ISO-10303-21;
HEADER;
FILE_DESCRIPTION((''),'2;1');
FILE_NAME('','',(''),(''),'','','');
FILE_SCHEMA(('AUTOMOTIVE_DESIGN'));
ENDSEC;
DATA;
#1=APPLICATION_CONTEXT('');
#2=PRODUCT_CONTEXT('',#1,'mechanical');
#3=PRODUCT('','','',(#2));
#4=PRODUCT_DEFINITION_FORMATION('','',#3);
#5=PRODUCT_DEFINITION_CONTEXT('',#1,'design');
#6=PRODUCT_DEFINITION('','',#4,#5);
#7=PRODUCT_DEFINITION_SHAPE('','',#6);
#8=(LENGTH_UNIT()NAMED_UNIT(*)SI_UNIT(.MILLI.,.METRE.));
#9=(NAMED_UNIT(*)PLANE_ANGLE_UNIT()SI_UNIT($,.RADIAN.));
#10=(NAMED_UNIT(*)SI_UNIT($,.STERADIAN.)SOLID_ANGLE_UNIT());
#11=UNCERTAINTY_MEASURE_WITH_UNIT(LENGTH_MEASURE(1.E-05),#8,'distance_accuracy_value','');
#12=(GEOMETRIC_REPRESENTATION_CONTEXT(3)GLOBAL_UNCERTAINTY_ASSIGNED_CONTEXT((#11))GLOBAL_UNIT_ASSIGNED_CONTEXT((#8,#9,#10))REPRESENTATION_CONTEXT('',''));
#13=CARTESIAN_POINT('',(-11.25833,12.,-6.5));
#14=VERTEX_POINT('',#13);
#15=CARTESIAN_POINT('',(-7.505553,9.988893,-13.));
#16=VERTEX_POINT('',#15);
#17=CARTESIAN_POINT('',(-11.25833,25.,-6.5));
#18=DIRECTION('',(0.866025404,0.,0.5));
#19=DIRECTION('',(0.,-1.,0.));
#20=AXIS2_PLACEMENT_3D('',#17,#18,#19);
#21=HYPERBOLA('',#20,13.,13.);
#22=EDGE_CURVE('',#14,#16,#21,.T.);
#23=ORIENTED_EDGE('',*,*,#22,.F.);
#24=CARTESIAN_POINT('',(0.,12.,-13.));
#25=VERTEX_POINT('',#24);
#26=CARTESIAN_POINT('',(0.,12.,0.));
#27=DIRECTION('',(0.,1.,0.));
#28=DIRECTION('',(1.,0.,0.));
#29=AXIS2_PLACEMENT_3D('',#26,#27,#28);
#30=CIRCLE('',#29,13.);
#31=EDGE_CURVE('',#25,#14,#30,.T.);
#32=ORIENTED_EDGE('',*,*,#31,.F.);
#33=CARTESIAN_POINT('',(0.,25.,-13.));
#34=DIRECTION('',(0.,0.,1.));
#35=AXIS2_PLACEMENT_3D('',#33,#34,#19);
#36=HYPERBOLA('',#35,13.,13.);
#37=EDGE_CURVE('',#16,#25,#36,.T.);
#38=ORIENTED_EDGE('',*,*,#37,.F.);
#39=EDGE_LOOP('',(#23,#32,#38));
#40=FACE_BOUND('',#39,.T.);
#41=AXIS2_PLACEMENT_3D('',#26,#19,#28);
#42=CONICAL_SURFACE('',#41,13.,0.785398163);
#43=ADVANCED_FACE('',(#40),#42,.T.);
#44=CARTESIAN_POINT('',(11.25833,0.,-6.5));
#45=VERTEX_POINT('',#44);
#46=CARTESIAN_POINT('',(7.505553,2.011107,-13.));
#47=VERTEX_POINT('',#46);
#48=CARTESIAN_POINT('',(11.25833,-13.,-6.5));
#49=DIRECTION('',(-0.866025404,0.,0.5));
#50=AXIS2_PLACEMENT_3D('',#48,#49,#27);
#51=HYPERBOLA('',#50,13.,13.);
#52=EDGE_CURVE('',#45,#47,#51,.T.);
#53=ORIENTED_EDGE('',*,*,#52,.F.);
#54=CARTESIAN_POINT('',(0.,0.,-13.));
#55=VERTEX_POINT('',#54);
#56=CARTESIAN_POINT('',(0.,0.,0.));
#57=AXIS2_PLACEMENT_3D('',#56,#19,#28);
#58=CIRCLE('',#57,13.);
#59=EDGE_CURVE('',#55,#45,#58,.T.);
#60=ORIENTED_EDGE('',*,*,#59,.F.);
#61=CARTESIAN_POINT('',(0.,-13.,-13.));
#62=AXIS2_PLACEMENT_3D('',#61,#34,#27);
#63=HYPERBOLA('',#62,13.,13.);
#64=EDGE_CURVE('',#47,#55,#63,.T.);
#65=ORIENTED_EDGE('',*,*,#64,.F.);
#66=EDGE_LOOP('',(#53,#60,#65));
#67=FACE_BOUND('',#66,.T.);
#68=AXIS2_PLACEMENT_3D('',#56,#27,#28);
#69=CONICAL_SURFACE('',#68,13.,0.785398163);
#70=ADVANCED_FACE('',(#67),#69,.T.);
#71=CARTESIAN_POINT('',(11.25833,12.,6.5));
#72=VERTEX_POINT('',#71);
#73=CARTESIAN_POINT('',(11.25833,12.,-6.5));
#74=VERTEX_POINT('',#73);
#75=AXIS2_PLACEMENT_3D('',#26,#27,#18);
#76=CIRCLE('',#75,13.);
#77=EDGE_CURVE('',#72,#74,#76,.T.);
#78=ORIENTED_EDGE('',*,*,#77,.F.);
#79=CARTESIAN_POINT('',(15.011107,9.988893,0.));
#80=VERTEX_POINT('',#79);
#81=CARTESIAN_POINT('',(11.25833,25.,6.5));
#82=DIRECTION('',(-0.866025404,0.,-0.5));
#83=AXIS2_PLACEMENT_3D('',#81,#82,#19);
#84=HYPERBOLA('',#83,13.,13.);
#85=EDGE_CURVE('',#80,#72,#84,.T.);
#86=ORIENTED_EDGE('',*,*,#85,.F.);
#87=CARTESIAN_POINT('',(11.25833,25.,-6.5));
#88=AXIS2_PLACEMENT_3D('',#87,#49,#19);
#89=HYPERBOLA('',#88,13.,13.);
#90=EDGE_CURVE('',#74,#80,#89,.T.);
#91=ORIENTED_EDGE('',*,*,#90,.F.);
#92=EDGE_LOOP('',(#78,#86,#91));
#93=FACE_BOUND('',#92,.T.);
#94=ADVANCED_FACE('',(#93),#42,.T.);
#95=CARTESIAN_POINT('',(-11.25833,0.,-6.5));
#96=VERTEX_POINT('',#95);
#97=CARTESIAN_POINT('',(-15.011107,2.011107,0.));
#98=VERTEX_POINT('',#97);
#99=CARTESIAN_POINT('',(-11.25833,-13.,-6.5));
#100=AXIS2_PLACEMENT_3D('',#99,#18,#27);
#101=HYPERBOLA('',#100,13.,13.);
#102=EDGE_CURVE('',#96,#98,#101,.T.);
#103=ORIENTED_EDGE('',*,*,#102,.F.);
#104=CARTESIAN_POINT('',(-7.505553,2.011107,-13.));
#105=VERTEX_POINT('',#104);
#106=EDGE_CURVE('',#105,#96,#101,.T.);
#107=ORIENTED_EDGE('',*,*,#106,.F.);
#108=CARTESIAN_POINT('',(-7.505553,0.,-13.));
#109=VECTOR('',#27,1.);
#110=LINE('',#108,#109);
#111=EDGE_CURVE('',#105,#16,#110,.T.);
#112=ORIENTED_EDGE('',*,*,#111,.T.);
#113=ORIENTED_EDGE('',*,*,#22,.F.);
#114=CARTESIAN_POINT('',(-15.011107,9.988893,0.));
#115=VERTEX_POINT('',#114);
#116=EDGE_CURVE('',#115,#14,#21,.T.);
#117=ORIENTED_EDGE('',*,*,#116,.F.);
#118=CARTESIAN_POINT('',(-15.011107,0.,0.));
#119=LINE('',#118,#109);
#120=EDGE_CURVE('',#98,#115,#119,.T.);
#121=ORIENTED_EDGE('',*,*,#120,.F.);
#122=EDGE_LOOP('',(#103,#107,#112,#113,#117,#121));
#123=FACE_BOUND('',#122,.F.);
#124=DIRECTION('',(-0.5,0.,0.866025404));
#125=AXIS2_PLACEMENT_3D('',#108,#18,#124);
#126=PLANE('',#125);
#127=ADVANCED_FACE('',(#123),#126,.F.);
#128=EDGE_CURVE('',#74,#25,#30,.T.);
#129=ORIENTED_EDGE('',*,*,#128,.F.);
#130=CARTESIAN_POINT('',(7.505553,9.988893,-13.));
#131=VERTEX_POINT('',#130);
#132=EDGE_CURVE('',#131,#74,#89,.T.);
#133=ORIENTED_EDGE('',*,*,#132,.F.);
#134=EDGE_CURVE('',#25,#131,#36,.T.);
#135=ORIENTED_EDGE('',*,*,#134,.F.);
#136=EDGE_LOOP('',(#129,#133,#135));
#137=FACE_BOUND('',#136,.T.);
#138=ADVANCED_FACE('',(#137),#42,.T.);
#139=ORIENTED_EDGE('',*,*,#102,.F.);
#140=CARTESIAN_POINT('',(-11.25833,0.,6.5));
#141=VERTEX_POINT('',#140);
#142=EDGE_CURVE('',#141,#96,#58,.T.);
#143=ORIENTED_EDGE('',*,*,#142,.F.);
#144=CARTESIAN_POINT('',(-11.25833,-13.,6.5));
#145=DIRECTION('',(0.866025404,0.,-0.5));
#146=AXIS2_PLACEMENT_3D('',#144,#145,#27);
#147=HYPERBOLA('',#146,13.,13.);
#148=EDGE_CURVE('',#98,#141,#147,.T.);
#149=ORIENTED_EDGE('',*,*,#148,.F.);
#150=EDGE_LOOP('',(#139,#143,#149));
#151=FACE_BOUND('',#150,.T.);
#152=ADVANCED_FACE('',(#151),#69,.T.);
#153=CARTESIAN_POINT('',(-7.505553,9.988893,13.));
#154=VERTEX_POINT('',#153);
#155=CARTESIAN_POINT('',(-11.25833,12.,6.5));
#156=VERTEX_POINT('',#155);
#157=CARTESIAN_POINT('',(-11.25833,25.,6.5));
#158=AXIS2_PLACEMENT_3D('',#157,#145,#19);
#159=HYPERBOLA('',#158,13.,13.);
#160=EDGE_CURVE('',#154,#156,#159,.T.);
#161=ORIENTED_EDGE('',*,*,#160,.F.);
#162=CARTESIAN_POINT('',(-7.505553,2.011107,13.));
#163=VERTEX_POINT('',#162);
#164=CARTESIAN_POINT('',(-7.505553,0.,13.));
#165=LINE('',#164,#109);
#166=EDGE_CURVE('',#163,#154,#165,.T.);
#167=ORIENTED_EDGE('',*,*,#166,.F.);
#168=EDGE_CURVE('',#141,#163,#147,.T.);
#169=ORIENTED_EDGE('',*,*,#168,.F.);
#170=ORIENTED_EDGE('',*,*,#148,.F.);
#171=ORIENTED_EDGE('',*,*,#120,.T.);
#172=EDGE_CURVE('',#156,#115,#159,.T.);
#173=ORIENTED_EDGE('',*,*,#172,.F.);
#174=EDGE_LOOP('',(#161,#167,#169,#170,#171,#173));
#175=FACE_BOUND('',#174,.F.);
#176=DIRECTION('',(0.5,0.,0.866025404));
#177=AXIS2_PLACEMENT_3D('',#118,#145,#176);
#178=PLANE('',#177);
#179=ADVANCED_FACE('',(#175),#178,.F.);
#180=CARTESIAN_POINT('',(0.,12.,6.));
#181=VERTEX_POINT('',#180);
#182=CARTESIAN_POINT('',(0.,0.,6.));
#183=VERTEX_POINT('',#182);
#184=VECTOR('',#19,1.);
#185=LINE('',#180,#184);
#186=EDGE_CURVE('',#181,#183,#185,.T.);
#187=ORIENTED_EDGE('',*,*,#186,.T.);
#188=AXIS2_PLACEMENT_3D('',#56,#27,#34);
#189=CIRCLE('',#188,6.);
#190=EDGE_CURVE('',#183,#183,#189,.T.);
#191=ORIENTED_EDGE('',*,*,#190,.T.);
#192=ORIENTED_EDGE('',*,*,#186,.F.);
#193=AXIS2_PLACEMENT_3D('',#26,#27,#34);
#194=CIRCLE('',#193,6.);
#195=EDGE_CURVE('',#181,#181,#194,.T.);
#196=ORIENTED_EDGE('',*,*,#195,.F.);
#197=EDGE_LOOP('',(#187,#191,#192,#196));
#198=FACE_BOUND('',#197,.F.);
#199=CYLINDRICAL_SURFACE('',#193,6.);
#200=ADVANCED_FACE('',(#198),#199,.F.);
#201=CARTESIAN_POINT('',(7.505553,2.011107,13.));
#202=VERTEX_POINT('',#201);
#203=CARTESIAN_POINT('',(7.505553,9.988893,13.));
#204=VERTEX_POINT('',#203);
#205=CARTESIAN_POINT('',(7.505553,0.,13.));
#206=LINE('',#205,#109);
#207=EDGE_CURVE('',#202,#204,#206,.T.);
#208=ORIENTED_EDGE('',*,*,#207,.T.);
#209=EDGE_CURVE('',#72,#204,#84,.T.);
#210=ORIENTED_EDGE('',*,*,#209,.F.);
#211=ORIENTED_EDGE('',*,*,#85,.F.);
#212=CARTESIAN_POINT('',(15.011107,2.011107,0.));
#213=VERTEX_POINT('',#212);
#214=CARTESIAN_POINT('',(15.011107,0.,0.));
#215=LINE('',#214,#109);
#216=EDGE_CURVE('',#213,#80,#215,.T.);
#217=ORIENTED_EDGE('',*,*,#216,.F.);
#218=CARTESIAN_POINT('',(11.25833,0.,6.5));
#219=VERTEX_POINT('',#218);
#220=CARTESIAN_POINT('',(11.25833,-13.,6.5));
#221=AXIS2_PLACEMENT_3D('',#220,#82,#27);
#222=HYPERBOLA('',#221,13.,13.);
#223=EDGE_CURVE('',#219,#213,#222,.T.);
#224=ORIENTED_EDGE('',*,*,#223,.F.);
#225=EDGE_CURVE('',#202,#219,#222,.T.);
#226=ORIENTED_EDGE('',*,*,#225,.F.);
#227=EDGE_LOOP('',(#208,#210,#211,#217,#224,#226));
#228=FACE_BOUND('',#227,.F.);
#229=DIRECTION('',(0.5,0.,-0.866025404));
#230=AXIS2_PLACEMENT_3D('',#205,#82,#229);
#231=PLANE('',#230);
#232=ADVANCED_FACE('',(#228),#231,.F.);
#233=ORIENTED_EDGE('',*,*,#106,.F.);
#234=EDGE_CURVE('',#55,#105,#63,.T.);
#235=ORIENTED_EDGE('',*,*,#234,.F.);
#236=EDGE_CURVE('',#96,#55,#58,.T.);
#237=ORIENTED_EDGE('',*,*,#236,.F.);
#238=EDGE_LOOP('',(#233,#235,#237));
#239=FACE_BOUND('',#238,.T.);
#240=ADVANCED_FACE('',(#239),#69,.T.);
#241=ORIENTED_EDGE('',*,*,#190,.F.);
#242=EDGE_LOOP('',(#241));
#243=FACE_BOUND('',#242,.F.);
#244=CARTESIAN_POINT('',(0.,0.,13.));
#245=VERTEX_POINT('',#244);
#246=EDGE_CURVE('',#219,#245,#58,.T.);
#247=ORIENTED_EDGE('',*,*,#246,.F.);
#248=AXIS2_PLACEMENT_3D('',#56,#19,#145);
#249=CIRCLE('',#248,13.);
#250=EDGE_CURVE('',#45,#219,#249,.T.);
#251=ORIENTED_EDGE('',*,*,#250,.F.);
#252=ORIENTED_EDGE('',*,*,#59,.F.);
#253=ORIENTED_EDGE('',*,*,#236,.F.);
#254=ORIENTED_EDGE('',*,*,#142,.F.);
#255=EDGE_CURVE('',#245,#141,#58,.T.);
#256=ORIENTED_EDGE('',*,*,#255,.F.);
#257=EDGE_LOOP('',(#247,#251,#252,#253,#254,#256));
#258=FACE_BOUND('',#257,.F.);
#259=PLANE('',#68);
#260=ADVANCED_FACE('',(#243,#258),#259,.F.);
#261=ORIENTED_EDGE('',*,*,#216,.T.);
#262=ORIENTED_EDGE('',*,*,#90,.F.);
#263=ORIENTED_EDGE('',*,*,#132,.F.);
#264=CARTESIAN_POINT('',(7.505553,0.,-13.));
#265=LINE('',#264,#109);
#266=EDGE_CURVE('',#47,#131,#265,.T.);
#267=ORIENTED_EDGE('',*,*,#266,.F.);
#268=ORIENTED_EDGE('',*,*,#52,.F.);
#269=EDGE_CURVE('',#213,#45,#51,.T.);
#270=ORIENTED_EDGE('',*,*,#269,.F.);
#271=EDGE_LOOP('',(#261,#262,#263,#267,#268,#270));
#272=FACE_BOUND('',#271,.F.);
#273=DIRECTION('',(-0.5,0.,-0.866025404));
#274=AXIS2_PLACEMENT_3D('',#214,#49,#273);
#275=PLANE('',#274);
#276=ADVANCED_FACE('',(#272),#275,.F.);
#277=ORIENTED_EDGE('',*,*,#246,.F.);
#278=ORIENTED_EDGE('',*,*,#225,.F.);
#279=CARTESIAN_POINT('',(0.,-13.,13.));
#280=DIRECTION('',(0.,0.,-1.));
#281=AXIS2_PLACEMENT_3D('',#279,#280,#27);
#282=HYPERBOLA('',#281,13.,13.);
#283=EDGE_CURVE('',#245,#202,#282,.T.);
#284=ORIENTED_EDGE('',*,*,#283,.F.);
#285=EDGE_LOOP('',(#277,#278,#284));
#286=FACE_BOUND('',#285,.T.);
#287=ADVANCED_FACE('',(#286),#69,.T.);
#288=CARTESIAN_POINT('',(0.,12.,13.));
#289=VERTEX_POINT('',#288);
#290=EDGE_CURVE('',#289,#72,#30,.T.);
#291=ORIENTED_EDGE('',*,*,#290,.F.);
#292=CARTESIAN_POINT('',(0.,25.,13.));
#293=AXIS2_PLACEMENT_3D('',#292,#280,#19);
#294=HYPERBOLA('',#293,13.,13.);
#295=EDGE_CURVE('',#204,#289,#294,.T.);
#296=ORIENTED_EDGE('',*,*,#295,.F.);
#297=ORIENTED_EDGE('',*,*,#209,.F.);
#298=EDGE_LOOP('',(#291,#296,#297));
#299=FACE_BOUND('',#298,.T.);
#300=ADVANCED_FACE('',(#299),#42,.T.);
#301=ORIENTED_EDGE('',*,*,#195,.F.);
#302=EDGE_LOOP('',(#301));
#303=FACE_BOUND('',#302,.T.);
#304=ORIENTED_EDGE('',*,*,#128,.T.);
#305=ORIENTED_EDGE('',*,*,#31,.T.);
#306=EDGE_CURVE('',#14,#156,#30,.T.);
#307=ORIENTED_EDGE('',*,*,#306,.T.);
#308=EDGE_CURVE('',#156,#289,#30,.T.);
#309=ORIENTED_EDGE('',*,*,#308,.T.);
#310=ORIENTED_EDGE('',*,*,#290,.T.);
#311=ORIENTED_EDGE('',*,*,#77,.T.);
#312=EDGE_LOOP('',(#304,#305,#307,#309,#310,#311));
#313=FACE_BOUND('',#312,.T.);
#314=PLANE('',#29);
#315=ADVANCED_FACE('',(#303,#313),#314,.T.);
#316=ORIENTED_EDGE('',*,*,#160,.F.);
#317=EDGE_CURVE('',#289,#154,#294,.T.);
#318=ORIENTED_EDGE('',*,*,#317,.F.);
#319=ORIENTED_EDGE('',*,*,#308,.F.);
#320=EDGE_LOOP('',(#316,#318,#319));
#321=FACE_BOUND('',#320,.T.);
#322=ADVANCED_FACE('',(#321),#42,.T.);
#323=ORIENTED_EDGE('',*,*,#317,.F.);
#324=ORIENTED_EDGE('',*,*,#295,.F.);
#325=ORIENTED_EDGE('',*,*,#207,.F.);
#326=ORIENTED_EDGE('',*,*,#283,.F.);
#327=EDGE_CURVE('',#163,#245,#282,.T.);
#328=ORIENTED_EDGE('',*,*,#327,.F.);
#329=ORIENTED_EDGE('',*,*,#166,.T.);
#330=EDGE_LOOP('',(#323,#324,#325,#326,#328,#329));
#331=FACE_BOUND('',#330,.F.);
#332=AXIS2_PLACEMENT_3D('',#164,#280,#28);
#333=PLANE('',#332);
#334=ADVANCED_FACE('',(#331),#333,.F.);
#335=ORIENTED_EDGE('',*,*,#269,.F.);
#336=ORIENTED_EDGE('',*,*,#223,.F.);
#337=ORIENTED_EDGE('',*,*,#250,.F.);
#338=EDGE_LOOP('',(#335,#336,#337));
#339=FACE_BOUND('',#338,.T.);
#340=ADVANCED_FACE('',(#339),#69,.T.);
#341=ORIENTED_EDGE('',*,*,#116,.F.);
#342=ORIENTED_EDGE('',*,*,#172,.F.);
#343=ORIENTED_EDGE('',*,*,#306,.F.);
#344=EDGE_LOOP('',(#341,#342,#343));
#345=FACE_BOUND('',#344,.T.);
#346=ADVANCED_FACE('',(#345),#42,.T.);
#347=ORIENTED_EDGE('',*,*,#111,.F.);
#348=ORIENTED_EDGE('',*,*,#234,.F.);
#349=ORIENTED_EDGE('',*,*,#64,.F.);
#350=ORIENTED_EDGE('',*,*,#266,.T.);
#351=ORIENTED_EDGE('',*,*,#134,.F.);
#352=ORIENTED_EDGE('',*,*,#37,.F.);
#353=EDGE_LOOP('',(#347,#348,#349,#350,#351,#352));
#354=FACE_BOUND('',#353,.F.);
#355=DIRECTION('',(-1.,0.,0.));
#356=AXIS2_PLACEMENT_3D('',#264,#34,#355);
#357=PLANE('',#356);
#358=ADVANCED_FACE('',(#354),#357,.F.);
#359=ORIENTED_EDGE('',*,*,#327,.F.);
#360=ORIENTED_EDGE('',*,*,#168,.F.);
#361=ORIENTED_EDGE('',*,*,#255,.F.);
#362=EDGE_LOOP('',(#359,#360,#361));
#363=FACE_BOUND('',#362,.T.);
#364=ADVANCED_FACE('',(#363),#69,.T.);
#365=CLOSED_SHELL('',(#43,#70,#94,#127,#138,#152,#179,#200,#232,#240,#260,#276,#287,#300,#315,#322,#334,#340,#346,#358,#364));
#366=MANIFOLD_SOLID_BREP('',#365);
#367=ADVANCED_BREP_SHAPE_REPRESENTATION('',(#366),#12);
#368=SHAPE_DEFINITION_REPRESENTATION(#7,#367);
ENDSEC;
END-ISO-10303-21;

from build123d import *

# Parameters (mm, degrees)
BOSS_EXTRUDE1_DEPTH = 12
SKETCH3_R           = 6
CUT_EXTRUDE1_DEPTH  = 24.202011407
SKETCH6_OUTSIDE_W   = 88.724
SKETCH6_OUTSIDE_H   = 84.702
SKETCH6_OUTSIDE_R   = 13
CUT_EXTRUDE3_DEPTH  = 24.202011407
CUT_EXTRUDE3_DRAFT  = -45
SKETCH7_OUTSIDE_W   = 88.724
SKETCH7_OUTSIDE_H   = 84.702
SKETCH7_OUTSIDE_R   = 13
CUT_EXTRUDE4_DEPTH  = 24.202011407
CUT_EXTRUDE4_DRAFT  = -45


with BuildPart() as part:
    # Sketch2 → Boss-Extrude1 (new body)
    with BuildSketch(Plane(origin=(0, 0, 0), x_dir=(1, 0, 0), z_dir=(0, 1, 0))):
        Polygon((-15.011106999, 0), (-7.505553499, -13), (7.505553499, -13), (15.011106999, 0), (7.505553499, 13), (-7.505553499, 13), align=None)
    extrude(amount=BOSS_EXTRUDE1_DEPTH)

    # Sketch3 → Cut-Extrude1 (cut, through all)
    with BuildSketch(Plane(origin=(0, 12, 0), x_dir=(1, 0, 0), z_dir=(0, 1, 0))):
        with Locations(Location((0, 0, 0), (0, 0, 270))):
            Circle(SKETCH3_R)
    extrude(amount=-CUT_EXTRUDE1_DEPTH, mode=Mode.SUBTRACT)


with BuildPart() as cut_extrude3_tool:
    # Sketch6 outside → Cut-Extrude3 (with draft: the straight prism first)
    with BuildSketch(Plane(origin=(0, 12, 0), x_dir=(1, 0, 0), z_dir=(0, 1, 0))):
        Rectangle(SKETCH6_OUTSIDE_W, SKETCH6_OUTSIDE_H)
        Circle(SKETCH6_OUTSIDE_R, mode=Mode.SUBTRACT)
    extrude(amount=-CUT_EXTRUDE3_DEPTH)
    # Cut-Extrude3: the draft: its side faces are tilted about the plane it starts from
    cut_extrude3_sides = [cut_extrude3_tool.faces().sort_by_distance(p)[0] for p in [
        (0, -0.101005704, 42.351),
        (44.362, -0.101005704, 0),
        (0, -0.101005704, -42.351),
        (-44.362, -0.101005704, 0),
        (-13, -0.101005704, 0),
    ]]
    draft(cut_extrude3_sides, Plane(origin=(0, 12, 0), x_dir=(1, 0, 0), z_dir=(0, 1, 0)), CUT_EXTRUDE3_DRAFT)


with BuildPart() as part_1:
    add(part.part)

    # Cut-Extrude3: cut by cut_extrude3_tool
    add(cut_extrude3_tool.part, mode=Mode.SUBTRACT)


with BuildPart() as cut_extrude4_tool:
    # Sketch7 outside → Cut-Extrude4 (with draft: the straight prism first)
    with BuildSketch(Plane.XZ):
        Rectangle(SKETCH7_OUTSIDE_W, SKETCH7_OUTSIDE_H)
        Circle(SKETCH7_OUTSIDE_R, mode=Mode.SUBTRACT)
    extrude(amount=-CUT_EXTRUDE4_DEPTH)
    # Cut-Extrude4: the draft: its side faces are tilted about the plane it starts from
    cut_extrude4_sides = [cut_extrude4_tool.faces().sort_by_distance(p)[0] for p in [
        (0, 12.101005704, -42.351),
        (44.362, 12.101005704, 0),
        (0, 12.101005704, 42.351),
        (-44.362, 12.101005704, 0),
        (-13, 12.101005704, 0),
    ]]
    draft(cut_extrude4_sides, Plane.XZ, CUT_EXTRUDE4_DRAFT)


with BuildPart() as part_2:
    add(part_1.part)

    # Cut-Extrude4: cut by cut_extrude4_tool
    add(cut_extrude4_tool.part, mode=Mode.SUBTRACT)


solid = part_2.part
